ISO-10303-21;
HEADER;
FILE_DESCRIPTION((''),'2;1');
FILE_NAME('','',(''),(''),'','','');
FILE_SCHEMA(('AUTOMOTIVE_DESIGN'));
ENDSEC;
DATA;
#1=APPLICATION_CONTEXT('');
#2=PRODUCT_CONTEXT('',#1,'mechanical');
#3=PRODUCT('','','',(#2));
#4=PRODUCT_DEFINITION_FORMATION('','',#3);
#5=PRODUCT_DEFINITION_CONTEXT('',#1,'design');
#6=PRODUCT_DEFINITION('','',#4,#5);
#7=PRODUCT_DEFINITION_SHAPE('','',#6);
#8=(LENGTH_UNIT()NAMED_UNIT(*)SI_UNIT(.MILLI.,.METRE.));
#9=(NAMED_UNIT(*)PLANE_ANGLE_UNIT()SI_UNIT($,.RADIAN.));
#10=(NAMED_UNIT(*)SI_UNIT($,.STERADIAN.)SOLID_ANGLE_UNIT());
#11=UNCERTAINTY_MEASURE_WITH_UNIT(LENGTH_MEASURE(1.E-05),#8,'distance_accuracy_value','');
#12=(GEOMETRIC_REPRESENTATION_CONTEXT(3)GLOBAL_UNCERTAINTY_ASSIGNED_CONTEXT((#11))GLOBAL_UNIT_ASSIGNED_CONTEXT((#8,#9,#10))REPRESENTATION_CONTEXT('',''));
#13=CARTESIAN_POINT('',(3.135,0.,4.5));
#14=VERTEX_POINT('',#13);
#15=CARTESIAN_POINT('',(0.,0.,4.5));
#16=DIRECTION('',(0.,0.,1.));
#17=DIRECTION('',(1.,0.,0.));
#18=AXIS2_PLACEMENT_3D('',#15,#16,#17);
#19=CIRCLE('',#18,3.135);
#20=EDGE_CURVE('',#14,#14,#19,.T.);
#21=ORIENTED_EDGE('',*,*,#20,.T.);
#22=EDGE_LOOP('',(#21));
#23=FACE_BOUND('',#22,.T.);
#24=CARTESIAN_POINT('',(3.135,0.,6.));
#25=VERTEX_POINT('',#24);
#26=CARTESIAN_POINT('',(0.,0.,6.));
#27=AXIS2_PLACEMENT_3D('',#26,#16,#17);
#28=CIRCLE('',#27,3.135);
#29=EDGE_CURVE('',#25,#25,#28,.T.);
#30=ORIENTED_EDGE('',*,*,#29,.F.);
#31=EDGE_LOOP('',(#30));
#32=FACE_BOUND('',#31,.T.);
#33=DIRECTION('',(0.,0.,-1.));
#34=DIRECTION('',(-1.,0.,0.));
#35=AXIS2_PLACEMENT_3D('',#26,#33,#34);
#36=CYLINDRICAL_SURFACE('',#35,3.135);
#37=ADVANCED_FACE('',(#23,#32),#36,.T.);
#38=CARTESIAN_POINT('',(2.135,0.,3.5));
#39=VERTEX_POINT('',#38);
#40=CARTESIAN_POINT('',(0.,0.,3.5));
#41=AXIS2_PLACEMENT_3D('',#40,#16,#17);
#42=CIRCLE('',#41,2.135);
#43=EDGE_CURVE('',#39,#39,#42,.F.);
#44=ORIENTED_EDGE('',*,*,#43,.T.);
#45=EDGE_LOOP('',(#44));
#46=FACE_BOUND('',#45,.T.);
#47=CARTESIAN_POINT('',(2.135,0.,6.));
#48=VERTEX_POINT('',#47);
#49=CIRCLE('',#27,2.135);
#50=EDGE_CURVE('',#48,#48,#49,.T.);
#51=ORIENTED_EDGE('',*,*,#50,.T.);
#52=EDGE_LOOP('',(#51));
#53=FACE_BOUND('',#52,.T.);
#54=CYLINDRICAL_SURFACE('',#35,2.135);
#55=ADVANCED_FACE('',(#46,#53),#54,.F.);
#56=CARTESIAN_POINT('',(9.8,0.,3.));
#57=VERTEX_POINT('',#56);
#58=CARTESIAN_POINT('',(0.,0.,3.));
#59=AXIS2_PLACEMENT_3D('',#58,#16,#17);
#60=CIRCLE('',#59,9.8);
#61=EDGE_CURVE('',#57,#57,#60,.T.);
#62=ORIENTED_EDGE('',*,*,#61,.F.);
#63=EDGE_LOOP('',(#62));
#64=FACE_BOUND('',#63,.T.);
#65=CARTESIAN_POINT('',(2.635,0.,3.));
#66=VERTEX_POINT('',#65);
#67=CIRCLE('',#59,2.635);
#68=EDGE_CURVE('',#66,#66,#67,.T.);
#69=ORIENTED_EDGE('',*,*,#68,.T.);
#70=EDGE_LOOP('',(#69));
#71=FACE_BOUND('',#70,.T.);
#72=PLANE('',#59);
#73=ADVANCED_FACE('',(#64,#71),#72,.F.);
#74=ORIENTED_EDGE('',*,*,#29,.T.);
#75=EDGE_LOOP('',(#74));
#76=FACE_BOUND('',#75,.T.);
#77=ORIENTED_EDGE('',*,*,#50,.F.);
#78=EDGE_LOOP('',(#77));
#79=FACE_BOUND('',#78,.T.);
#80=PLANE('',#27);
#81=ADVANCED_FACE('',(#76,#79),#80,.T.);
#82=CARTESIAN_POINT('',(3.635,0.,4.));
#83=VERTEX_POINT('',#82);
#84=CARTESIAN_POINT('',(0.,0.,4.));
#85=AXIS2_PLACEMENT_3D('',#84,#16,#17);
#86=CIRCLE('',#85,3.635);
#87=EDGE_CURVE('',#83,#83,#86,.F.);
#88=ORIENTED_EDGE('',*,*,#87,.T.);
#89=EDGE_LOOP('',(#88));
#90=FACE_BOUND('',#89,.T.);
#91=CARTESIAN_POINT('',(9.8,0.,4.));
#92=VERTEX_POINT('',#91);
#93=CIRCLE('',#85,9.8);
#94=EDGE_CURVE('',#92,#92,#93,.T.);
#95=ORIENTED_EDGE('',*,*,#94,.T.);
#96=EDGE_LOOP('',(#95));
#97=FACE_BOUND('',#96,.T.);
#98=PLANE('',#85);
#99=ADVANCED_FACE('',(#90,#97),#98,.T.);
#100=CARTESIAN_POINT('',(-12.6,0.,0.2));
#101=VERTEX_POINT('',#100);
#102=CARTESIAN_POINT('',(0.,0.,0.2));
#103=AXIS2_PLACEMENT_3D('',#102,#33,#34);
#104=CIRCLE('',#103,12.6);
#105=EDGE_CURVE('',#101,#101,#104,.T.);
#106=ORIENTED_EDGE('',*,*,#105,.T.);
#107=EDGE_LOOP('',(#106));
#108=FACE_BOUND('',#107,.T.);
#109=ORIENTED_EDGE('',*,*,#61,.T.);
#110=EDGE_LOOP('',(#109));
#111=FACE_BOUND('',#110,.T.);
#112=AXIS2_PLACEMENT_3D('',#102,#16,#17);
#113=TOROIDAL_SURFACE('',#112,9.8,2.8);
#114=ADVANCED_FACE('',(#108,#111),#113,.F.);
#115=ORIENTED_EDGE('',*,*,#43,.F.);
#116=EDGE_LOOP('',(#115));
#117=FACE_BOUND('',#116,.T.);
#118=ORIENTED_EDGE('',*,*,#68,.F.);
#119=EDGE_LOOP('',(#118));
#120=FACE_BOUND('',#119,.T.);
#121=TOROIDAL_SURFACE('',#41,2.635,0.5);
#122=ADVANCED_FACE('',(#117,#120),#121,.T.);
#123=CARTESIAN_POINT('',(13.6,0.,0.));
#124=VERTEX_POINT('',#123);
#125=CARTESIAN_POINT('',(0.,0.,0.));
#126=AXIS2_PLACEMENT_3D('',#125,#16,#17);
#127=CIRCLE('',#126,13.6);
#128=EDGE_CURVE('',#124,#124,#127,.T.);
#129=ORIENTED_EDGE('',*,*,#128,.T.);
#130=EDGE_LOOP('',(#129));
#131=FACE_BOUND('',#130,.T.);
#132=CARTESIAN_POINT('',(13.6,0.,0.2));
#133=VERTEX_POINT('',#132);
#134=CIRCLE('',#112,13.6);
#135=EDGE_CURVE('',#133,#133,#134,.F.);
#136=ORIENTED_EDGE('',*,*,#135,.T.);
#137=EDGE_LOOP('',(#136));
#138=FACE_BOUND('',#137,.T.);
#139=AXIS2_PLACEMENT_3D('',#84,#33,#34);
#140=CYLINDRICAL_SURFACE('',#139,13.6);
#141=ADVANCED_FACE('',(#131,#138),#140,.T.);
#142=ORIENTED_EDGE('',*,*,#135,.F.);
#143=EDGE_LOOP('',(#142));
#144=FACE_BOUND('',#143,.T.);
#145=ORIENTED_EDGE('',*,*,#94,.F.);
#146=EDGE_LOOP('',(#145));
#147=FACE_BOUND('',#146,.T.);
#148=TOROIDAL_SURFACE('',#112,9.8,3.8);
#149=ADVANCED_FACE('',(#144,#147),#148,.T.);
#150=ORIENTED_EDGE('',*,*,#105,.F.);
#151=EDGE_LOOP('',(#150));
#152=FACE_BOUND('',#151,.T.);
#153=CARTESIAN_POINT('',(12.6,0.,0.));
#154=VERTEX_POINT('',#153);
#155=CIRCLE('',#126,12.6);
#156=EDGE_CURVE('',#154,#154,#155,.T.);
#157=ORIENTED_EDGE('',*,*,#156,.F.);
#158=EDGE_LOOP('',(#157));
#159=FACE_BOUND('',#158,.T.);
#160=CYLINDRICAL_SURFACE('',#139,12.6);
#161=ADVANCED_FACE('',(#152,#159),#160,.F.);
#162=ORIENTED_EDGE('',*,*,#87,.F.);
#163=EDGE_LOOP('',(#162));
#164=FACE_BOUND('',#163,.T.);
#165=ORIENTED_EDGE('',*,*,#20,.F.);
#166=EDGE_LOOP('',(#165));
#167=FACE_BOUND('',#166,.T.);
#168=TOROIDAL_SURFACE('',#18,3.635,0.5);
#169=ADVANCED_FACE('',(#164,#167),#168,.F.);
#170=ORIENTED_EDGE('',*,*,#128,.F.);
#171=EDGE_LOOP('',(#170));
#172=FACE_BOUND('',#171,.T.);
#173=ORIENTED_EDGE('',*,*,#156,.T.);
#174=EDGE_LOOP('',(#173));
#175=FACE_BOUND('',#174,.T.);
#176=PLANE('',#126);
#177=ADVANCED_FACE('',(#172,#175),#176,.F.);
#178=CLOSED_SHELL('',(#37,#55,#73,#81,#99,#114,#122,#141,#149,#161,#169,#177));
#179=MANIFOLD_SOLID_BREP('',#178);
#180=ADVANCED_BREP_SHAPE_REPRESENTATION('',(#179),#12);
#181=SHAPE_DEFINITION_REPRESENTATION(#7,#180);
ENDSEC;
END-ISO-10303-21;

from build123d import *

# Parameters (mm, degrees)
SKETCH1_R                      = 13.6
DRIVE_SHAFT_PLATE_SHAPE_DEPTH  = 4
PLATE_MAIN_FILLET_R            = 3.8
SKETCH2_R                      = 3.135
PLATE_BOSS_DEPTH               = 2
PLATE_SHELL_T                  = -1
DRIVE_PLATE_HOLE_REACH         = 22.147
SKETCH3_R                      = 2.135
DRIVE_PLATE_SECONDARY_FILLET_R = 0.5


with BuildPart() as part:
    # Sketch1 → drive shaft plate shape (new body)
    with BuildSketch(Plane.XY):
        Circle(SKETCH1_R)
    extrude(amount=DRIVE_SHAFT_PLATE_SHAPE_DEPTH)

    # plate main fillet
    plate_main_fillet_edges = [part.edges().sort_by_distance(p)[0] for p in [
        (-13.6, 0, 4),
    ]]
    fillet(plate_main_fillet_edges, radius=PLATE_MAIN_FILLET_R)

    # Sketch2 → plate boss (add)
    with BuildSketch(Plane.XY.offset(4)):
        Circle(SKETCH2_R)
    extrude(amount=PLATE_BOSS_DEPTH)

    # plate shell
    plate_shell_openings = [part.faces().sort_by_distance(p)[0] for p in [
        (0, 0, 0),
    ]]
    offset(amount=PLATE_SHELL_T, openings=plate_shell_openings, kind=Kind.INTERSECTION)

    # Sketch3 → drive plate hole (cut, up to next)
    with BuildSketch(Plane.XY.offset(6), mode=Mode.PRIVATE) as drive_plate_hole_sk1:
        Circle(SKETCH3_R)
    drive_plate_hole_tool1 = extrude(drive_plate_hole_sk1.sketch, amount=-DRIVE_PLATE_HOLE_REACH, mode=Mode.PRIVATE) & part.part
    add(drive_plate_hole_tool1.solids().sort_by_distance((0, 0, 6))[0], mode=Mode.SUBTRACT)

    # drive plate secondary fillet
    drive_plate_secondary_fillet_edges = [part.edges().sort_by_distance(p)[0] for p in [
        (-2.135, 0, 3),
        (-3.135, 0, 4),
    ]]
    fillet(drive_plate_secondary_fillet_edges, radius=DRIVE_PLATE_SECONDARY_FILLET_R)


solid = part.part
